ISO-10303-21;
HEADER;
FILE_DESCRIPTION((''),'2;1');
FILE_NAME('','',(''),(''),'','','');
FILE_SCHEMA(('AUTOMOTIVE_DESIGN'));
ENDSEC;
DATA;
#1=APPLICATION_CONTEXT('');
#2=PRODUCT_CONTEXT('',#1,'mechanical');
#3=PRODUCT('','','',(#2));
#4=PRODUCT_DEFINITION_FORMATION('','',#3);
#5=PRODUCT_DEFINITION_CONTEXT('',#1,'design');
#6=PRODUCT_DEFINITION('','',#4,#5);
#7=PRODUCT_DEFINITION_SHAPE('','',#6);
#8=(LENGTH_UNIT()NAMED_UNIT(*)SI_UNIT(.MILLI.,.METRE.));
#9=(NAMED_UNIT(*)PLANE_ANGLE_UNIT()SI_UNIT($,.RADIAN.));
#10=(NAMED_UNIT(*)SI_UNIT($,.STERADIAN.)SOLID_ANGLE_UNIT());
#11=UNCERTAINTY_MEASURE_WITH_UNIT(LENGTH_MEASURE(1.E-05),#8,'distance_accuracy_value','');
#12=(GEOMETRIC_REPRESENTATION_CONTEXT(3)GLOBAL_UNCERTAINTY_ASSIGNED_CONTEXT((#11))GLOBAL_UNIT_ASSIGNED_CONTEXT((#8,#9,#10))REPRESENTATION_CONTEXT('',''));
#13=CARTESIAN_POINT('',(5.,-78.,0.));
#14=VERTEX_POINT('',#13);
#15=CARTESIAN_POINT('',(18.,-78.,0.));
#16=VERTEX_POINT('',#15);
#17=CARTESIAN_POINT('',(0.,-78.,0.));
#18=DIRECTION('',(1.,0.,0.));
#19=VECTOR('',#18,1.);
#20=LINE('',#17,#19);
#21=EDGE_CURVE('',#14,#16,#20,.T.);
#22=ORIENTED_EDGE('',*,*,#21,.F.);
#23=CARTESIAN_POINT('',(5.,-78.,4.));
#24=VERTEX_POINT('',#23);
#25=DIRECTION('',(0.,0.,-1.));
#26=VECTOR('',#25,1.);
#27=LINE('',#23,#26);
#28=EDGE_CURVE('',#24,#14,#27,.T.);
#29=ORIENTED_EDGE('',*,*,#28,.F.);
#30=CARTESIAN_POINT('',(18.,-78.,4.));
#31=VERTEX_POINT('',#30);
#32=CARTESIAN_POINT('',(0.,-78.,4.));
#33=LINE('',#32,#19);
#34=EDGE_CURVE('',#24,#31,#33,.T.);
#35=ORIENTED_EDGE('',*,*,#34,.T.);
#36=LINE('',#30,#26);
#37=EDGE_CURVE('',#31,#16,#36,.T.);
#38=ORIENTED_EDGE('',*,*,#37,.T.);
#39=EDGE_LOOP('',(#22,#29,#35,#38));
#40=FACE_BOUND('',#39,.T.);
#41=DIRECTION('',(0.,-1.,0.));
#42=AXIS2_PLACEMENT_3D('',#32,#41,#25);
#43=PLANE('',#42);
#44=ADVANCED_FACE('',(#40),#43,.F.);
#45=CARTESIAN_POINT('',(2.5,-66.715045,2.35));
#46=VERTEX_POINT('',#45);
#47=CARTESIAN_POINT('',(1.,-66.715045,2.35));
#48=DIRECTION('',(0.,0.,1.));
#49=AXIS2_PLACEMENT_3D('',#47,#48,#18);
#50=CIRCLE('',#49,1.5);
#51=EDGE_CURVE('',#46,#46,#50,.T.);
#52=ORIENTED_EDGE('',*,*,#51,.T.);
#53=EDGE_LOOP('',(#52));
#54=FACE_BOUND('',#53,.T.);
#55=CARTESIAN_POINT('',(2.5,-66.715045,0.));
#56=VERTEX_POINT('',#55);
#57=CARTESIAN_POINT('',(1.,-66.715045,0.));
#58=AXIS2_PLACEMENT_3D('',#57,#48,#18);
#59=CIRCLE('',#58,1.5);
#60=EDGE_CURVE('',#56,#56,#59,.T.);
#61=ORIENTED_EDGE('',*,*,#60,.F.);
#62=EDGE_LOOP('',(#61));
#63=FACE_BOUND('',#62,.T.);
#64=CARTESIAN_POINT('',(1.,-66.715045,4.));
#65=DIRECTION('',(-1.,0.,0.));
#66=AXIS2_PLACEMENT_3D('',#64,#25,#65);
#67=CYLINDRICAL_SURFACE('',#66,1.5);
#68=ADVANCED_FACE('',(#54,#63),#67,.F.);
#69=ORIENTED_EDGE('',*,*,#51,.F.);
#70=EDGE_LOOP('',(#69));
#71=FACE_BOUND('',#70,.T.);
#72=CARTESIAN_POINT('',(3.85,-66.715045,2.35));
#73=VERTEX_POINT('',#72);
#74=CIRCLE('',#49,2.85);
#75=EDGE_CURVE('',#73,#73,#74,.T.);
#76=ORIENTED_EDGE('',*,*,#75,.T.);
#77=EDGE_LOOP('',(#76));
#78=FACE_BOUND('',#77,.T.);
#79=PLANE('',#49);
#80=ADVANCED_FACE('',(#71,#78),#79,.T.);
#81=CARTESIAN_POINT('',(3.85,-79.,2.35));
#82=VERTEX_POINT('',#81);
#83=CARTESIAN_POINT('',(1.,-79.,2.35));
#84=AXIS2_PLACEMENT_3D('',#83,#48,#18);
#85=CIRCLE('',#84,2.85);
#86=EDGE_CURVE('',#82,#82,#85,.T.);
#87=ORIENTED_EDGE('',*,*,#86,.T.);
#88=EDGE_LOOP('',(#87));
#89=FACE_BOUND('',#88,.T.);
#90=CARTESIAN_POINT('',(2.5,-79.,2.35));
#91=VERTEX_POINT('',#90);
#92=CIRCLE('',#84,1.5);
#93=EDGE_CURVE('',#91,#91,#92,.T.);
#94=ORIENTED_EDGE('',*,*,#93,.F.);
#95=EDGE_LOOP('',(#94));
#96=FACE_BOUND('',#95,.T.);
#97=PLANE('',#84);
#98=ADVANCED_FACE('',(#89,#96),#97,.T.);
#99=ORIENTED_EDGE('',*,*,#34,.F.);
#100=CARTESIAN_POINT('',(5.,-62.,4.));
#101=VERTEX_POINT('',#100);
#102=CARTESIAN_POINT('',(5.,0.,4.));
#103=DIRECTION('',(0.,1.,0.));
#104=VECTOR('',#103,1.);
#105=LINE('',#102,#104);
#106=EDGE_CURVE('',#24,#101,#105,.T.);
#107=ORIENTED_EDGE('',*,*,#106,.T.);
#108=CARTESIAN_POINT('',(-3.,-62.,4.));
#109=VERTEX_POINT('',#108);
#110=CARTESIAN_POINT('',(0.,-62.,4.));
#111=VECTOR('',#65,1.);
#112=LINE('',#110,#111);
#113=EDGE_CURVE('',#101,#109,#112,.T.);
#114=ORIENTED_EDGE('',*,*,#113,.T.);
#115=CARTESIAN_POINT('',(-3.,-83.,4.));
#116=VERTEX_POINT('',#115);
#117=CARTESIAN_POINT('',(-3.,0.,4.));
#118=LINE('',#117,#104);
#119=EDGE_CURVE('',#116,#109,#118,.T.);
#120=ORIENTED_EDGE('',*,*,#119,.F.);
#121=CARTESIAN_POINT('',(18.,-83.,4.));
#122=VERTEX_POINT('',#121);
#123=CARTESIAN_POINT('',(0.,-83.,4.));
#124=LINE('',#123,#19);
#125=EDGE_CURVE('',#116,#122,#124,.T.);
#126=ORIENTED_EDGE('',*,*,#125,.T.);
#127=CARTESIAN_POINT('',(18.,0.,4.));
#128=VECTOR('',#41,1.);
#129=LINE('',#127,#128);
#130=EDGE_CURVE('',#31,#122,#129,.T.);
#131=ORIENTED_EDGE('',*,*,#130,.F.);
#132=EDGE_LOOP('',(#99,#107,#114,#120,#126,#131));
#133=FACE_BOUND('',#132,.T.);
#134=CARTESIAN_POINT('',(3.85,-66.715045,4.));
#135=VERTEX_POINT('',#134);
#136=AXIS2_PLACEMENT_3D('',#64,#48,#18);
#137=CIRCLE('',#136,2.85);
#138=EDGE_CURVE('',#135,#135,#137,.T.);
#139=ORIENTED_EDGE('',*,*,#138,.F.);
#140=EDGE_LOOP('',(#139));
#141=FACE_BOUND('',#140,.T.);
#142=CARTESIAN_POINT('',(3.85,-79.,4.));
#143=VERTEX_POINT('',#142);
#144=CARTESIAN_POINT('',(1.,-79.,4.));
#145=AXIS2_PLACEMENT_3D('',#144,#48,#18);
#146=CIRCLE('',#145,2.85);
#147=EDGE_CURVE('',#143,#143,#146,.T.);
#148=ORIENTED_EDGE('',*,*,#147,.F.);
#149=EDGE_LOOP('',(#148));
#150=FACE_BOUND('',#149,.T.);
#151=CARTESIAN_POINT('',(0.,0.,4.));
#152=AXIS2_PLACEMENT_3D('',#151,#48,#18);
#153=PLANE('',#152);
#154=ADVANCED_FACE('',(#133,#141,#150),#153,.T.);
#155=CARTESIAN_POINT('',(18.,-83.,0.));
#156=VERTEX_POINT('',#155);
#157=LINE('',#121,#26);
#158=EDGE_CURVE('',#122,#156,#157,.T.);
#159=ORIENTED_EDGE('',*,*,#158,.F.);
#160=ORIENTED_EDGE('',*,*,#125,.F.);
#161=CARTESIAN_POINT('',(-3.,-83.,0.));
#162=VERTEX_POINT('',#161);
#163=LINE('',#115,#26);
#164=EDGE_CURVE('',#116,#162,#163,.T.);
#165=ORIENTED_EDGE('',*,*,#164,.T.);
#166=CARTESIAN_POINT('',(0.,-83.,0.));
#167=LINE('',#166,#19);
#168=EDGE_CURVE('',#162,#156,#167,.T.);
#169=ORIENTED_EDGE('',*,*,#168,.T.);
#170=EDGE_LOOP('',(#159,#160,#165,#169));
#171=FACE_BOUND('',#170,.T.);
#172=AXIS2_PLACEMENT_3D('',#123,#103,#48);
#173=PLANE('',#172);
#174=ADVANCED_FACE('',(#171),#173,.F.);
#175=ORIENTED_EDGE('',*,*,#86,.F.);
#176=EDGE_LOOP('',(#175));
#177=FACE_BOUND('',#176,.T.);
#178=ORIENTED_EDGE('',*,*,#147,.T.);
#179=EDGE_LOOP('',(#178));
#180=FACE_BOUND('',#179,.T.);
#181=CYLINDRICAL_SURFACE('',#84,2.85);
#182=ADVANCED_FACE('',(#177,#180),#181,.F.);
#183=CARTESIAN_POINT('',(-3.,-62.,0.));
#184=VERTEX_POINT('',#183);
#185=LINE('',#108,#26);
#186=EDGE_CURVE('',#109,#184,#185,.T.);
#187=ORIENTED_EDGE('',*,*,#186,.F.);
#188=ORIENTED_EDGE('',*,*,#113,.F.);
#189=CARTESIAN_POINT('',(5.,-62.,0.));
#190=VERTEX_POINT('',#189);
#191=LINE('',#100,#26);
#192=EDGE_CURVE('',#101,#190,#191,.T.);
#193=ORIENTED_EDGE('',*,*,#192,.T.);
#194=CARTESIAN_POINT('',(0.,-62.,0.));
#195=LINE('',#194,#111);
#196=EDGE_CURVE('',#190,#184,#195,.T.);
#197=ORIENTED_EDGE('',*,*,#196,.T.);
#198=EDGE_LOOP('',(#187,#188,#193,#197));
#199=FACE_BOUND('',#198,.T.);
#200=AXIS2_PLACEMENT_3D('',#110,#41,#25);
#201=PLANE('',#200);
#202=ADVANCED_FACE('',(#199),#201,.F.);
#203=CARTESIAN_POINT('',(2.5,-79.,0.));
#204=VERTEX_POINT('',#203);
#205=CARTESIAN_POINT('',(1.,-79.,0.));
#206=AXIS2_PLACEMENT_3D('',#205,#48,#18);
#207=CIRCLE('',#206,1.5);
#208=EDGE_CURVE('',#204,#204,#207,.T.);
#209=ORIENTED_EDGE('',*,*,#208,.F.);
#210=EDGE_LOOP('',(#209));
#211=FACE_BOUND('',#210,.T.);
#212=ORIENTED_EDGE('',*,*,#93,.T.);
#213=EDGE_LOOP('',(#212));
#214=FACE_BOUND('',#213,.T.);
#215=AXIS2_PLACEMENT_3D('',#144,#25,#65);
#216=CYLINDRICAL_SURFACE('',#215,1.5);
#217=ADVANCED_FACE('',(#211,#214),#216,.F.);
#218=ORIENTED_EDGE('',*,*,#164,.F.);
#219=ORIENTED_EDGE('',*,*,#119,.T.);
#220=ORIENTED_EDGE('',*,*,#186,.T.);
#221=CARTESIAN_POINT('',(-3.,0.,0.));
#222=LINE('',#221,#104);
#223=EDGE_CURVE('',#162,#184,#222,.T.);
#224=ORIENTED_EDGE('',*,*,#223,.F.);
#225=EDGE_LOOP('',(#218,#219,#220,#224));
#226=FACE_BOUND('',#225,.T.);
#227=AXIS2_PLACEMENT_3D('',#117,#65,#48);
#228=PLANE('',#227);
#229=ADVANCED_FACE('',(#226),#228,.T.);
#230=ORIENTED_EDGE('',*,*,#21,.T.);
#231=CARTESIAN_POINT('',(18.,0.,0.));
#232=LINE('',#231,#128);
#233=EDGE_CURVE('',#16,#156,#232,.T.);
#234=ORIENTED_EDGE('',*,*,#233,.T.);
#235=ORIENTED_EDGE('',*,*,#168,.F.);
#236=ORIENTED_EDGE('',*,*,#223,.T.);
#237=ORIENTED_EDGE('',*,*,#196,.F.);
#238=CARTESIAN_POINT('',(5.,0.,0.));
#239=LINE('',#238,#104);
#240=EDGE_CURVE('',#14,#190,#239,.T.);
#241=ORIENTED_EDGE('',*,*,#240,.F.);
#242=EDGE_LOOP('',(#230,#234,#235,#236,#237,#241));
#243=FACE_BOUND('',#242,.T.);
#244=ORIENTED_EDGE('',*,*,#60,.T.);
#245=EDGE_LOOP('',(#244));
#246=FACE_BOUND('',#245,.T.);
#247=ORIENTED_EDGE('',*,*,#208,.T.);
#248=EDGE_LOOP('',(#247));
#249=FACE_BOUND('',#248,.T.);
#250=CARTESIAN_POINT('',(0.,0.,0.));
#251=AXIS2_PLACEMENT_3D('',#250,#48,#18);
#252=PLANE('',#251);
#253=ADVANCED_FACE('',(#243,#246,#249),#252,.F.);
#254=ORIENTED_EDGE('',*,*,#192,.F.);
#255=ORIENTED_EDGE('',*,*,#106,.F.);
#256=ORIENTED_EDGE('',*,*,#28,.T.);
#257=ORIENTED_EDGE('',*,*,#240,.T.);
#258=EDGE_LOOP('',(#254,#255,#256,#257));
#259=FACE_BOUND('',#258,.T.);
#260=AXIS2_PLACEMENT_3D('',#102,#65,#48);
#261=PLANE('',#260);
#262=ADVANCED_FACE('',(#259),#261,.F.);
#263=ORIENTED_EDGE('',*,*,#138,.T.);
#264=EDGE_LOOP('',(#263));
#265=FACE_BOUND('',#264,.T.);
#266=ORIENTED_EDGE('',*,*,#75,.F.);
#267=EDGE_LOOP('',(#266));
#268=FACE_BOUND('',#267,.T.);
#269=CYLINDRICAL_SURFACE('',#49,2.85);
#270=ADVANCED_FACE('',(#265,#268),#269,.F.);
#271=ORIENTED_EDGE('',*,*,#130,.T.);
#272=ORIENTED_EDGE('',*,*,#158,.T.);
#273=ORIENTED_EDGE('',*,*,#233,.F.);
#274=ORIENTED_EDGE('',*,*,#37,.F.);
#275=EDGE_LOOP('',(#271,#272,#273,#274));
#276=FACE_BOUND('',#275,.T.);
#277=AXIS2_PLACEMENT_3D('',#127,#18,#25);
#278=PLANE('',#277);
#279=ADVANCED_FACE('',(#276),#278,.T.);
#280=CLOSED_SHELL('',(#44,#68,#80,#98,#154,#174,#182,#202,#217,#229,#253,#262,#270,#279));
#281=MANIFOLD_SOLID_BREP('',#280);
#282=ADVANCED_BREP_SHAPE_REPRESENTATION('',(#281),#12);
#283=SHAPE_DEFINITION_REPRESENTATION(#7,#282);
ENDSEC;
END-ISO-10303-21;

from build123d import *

# Parameters (mm, degrees)
CROQUIS1_W              = 13
CROQUIS1_H              = 8
CROQUIS1_W_2            = 8
CROQUIS1_H_2            = 21
CROQUIS1_R              = 1.5
SALIENTE_EXTRUIR1_DEPTH = 4
CROQUIS2_R              = 2.85
CORTAR_EXTRUIR1_DEPTH   = 1.65
CROQUIS3_W              = 4
CROQUIS3_H              = 3
CORTAR_EXTRUIR2_DEPTH   = 13


with BuildPart() as part:
    # Croquis1 → Saliente-Extruir1 (new body)
    # profile 1 of 2: a face of its own
    with BuildSketch(Plane.XY):
        with Locations((11.5, -79)):
            Rectangle(CROQUIS1_W, CROQUIS1_H)
    # profile 2 of 2: a face of its own
    with BuildSketch(Plane.XY):
        with Locations((1, -72.5)):
            Rectangle(CROQUIS1_W_2, CROQUIS1_H_2)
        with Locations((1, -66.715045403)):
            Circle(CROQUIS1_R, mode=Mode.SUBTRACT)
        with Locations((1, -79)):
            Circle(CROQUIS1_R, mode=Mode.SUBTRACT)
    extrude(amount=SALIENTE_EXTRUIR1_DEPTH)

    # Croquis2 → Cortar-Extruir1 (cut)
    with BuildSketch(Plane.XY.offset(4)):
        with Locations((1, -79)):
            Circle(CROQUIS2_R)
        with Locations((1, -66.715045403)):
            Circle(CROQUIS2_R)
    extrude(amount=-CORTAR_EXTRUIR1_DEPTH, mode=Mode.SUBTRACT)

    # Croquis3 → Cortar-Extruir2 (cut)
    with BuildSketch(Plane(origin=(18, 0, 0), x_dir=(0, 0, -1), z_dir=(1, 0, 0))):
        with Locations((-2, -76.5)):
            Rectangle(CROQUIS3_W, CROQUIS3_H)
    extrude(amount=-CORTAR_EXTRUIR2_DEPTH, mode=Mode.SUBTRACT)


solid = part.part
